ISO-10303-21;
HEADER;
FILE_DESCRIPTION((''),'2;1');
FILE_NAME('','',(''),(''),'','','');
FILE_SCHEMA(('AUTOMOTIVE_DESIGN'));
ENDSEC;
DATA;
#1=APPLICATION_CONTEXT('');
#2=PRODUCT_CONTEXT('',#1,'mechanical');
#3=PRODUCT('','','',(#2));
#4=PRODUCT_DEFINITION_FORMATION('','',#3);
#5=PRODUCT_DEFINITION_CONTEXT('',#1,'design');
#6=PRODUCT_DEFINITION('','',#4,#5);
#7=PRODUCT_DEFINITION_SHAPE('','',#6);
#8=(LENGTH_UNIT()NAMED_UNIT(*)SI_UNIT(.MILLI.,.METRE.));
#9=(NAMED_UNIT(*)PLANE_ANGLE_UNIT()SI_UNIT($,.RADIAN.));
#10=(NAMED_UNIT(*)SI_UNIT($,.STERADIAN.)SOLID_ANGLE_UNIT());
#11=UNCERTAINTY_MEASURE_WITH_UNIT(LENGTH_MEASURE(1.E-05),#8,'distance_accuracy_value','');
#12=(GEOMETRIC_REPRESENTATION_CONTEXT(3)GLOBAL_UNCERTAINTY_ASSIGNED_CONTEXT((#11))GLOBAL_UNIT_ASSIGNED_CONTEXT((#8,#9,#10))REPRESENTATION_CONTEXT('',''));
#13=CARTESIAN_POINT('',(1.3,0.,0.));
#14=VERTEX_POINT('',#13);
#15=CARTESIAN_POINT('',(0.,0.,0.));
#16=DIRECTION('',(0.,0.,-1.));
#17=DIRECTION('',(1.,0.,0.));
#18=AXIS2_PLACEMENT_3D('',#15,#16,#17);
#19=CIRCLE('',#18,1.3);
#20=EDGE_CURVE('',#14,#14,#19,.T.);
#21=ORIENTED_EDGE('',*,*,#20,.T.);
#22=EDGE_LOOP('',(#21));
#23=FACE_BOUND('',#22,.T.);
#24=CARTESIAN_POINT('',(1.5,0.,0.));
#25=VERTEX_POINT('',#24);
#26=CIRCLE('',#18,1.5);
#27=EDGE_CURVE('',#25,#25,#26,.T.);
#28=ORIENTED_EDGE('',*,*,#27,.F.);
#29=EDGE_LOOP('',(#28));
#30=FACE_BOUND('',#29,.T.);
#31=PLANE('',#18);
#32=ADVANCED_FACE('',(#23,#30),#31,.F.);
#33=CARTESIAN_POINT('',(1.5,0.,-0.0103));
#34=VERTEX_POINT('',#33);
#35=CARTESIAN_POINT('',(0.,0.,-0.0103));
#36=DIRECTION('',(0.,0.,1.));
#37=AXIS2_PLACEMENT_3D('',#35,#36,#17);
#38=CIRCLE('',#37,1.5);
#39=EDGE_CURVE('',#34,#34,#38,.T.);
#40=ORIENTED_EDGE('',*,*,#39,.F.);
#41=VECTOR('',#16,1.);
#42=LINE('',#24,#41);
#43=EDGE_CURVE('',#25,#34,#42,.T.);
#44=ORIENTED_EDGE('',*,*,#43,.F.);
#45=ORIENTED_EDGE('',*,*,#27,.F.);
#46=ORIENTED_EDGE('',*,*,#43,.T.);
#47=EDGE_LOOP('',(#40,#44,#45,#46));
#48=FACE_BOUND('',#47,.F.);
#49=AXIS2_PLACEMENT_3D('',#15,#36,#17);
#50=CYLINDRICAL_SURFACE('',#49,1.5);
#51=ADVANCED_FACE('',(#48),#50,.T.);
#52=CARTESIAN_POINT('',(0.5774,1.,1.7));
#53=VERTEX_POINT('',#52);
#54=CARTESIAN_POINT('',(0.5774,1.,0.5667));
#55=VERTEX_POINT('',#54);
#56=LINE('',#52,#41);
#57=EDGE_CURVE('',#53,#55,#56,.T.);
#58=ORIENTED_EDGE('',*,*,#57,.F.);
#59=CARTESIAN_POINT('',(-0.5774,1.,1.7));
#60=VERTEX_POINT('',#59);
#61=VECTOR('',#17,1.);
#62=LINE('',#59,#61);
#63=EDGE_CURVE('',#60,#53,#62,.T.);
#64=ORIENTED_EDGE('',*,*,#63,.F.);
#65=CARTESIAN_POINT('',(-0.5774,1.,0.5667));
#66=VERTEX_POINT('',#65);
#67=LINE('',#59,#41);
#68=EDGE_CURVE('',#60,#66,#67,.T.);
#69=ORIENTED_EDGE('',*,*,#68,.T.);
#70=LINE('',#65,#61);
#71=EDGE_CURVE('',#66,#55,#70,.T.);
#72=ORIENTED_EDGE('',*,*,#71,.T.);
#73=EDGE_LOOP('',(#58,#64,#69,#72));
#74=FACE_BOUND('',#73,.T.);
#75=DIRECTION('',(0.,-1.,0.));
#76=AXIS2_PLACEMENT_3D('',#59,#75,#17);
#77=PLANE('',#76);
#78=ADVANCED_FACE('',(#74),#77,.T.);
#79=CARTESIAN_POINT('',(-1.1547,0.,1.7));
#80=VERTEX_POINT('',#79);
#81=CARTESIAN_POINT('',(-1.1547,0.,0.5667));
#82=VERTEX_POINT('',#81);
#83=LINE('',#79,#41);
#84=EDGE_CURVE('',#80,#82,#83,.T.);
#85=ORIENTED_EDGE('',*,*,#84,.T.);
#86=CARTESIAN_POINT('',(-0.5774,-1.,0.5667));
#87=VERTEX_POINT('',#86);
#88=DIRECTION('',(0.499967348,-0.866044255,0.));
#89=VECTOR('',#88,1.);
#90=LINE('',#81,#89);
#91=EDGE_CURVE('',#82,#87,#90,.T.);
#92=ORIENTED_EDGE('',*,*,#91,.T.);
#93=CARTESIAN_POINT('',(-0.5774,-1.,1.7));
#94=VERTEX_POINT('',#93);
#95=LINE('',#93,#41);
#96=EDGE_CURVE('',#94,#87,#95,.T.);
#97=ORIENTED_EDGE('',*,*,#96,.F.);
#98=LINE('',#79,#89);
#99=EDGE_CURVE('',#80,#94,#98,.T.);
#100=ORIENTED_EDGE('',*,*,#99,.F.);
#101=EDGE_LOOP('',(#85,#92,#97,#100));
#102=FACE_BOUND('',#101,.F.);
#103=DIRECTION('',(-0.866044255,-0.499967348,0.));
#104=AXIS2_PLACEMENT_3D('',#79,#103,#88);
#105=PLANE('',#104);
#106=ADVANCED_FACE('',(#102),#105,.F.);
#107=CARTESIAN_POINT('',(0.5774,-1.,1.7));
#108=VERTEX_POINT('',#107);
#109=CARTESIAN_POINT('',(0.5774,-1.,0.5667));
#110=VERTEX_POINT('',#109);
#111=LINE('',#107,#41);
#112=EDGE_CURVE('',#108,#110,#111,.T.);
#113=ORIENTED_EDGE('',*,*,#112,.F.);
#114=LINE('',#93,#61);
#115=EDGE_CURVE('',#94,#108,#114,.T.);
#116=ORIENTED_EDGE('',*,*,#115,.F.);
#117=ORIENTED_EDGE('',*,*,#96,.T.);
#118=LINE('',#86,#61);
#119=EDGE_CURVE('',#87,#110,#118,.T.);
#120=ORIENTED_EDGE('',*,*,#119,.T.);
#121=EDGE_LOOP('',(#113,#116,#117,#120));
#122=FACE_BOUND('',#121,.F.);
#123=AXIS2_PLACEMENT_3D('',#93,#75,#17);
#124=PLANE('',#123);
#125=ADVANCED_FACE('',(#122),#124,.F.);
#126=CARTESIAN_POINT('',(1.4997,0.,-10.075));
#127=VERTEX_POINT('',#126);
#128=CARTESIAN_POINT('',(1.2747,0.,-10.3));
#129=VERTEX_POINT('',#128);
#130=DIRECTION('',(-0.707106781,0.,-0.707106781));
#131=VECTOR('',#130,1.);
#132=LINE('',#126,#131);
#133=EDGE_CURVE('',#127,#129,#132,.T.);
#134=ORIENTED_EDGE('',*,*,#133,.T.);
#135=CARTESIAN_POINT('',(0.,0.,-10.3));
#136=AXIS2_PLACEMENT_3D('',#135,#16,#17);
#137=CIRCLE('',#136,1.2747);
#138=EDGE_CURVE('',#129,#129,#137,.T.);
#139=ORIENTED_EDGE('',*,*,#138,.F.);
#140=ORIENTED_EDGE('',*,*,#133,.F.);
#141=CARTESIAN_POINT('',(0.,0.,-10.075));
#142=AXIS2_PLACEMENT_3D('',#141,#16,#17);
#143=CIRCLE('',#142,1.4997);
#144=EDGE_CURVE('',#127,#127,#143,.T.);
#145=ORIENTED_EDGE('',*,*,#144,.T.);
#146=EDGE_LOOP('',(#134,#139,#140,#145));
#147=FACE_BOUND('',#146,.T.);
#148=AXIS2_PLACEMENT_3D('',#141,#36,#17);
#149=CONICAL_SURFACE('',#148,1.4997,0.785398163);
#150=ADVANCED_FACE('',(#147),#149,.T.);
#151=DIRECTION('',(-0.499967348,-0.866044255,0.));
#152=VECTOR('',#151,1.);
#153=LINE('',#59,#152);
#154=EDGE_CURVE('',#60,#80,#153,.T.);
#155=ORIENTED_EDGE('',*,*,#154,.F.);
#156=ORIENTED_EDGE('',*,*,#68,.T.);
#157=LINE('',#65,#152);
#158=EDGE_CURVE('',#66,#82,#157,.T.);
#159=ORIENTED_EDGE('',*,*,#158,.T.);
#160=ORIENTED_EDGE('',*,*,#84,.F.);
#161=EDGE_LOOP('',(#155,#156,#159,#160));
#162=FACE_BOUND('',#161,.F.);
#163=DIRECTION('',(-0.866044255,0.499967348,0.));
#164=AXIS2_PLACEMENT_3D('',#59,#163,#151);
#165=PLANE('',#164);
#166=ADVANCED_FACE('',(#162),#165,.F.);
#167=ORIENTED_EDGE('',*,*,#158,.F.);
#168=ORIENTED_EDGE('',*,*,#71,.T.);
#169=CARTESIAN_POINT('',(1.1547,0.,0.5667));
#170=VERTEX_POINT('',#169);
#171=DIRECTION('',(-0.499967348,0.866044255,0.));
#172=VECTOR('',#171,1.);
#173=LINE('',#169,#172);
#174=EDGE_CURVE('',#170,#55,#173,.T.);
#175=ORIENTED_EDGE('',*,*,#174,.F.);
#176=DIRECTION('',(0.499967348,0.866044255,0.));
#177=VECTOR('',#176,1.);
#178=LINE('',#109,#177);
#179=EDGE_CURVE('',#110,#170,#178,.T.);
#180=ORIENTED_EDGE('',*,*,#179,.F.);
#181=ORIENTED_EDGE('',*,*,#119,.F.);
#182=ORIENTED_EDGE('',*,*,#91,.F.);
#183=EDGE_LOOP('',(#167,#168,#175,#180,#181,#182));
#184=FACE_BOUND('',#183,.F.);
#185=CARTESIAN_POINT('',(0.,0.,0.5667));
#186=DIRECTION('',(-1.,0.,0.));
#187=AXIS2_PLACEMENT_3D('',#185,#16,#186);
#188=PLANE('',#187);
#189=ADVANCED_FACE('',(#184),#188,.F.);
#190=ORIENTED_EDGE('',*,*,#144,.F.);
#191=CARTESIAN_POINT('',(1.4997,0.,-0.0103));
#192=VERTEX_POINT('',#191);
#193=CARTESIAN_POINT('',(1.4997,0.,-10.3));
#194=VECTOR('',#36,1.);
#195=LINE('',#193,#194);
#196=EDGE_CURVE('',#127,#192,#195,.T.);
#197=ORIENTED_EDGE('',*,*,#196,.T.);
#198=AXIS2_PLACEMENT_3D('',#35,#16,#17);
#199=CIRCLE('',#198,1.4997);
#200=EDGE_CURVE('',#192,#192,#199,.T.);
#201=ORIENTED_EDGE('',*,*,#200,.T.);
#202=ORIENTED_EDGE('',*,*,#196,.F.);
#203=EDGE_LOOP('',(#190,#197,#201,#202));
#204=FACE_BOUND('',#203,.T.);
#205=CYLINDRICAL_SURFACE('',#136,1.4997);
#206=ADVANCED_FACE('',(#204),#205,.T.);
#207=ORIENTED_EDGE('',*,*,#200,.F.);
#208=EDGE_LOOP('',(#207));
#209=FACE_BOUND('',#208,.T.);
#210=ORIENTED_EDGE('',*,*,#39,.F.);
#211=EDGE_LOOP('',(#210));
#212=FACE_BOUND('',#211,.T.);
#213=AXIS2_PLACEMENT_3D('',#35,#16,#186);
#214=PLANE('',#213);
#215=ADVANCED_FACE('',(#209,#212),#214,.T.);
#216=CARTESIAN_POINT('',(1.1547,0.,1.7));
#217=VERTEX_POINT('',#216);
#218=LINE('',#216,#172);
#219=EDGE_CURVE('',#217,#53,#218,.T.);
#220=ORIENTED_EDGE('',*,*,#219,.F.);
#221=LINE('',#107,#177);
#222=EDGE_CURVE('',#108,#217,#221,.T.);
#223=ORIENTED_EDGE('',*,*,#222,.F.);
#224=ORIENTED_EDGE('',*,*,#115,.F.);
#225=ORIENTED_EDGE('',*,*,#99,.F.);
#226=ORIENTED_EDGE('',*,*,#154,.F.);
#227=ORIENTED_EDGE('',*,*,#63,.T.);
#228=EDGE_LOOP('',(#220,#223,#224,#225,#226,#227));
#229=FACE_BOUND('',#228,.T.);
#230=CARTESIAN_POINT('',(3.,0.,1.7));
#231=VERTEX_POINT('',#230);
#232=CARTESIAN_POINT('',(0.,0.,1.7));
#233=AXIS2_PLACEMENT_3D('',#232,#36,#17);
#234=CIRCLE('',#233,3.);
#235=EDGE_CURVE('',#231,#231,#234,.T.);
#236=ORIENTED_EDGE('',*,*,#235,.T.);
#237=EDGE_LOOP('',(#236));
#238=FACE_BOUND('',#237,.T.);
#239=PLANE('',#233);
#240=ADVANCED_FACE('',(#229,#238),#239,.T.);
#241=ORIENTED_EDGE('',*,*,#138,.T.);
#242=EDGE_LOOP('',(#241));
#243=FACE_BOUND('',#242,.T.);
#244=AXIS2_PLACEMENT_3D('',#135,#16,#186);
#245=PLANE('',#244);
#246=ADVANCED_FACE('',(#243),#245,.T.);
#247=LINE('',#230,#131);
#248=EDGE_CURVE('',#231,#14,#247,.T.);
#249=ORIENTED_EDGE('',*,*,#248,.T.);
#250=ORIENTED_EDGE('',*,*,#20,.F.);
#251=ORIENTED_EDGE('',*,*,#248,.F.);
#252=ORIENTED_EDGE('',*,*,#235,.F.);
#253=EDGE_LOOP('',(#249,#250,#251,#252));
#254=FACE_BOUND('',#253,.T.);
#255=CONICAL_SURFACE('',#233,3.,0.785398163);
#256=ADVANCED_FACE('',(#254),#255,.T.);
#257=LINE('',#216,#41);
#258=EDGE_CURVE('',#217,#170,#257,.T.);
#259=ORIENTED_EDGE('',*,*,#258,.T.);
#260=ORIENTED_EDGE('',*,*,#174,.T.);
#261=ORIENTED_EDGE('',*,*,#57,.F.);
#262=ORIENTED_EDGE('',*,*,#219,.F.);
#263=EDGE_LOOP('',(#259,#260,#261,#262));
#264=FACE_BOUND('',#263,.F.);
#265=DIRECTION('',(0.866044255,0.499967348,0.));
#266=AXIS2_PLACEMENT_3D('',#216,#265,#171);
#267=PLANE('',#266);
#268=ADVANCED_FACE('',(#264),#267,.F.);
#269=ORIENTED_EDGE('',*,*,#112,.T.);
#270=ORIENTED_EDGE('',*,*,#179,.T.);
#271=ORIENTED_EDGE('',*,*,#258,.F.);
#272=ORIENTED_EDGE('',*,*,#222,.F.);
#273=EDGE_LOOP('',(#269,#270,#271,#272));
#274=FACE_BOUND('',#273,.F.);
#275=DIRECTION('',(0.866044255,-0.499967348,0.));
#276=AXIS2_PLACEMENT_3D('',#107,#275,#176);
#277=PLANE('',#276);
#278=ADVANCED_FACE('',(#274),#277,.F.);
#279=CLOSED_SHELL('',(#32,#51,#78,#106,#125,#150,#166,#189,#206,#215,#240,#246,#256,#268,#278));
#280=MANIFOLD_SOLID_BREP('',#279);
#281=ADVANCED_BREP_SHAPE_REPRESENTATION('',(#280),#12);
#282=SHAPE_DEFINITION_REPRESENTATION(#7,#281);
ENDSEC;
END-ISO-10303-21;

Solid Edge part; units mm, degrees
sketch "Sketch1" plane through (0, 0, 0) normal (0, 0, 1) x (1, 0, 0)
  circle A0 centre (0, 0) radius 3
  dimension "D1" = 6
extrude "Protrusion1" add sketch "Sketch1" along normal blind 1.7
sketch "Sketch2" plane through (0, 0, 0) normal (0, 0, -1) x (1, 0, 0)
  circle A0 centre (0, 0) radius 1.5
extrude "Protrusion2" add sketch "Sketch2" along normal blind 10.3
sketch "Sketch3" plane through (0, 0, -10.3) normal (0, 0, -1) x (1, 0, 0)
  circle A0 centre (0, 0) radius 1.4997
extrude "Cutout1" cut sketch "Sketch3" against normal blind 10.2897 flip side to cut
chamfer "Chamfer_1" distance 0.225 angle 45 1 edges at (-1.4997, 0, -10.3)
sketch "Sketch4" plane through (0, 0, 1.7) normal (0, 0, 1) x (1, 0, 0)
  line L0 (-0.5774, 1) -> (0.5774, 1)
  line L1 (1.1547, 0) -> (0.5774, 1)
  line L2 (0.5774, -1) -> (1.1547, 0)
  line L3 (-0.5774, -1) -> (0.5774, -1)
  line L4 (-1.1547, 0) -> (-0.5774, -1)
  line L5 (-0.5774, 1) -> (-1.1547, 0)
  dimension "D1" = 2
extrude "Cutout2" cut sketch "Sketch4" against normal blind 1.1333
sketch "Sketch5" plane through (0, 0, 0) normal (0, -1, 0) x (1, 0, 0)
  line L0 (3, 1.7) -> (1.3, 0)
  line L1 (1.3, 0) -> (3, 0)
  line L2 (3, 0) -> (3, 1.7)
revolve "RevolvedCutout1" cut sketch "Sketch5" angle 360 about axis through (0, 0, 14.0017) along (0, 0, -1)
properties part number "133795"
